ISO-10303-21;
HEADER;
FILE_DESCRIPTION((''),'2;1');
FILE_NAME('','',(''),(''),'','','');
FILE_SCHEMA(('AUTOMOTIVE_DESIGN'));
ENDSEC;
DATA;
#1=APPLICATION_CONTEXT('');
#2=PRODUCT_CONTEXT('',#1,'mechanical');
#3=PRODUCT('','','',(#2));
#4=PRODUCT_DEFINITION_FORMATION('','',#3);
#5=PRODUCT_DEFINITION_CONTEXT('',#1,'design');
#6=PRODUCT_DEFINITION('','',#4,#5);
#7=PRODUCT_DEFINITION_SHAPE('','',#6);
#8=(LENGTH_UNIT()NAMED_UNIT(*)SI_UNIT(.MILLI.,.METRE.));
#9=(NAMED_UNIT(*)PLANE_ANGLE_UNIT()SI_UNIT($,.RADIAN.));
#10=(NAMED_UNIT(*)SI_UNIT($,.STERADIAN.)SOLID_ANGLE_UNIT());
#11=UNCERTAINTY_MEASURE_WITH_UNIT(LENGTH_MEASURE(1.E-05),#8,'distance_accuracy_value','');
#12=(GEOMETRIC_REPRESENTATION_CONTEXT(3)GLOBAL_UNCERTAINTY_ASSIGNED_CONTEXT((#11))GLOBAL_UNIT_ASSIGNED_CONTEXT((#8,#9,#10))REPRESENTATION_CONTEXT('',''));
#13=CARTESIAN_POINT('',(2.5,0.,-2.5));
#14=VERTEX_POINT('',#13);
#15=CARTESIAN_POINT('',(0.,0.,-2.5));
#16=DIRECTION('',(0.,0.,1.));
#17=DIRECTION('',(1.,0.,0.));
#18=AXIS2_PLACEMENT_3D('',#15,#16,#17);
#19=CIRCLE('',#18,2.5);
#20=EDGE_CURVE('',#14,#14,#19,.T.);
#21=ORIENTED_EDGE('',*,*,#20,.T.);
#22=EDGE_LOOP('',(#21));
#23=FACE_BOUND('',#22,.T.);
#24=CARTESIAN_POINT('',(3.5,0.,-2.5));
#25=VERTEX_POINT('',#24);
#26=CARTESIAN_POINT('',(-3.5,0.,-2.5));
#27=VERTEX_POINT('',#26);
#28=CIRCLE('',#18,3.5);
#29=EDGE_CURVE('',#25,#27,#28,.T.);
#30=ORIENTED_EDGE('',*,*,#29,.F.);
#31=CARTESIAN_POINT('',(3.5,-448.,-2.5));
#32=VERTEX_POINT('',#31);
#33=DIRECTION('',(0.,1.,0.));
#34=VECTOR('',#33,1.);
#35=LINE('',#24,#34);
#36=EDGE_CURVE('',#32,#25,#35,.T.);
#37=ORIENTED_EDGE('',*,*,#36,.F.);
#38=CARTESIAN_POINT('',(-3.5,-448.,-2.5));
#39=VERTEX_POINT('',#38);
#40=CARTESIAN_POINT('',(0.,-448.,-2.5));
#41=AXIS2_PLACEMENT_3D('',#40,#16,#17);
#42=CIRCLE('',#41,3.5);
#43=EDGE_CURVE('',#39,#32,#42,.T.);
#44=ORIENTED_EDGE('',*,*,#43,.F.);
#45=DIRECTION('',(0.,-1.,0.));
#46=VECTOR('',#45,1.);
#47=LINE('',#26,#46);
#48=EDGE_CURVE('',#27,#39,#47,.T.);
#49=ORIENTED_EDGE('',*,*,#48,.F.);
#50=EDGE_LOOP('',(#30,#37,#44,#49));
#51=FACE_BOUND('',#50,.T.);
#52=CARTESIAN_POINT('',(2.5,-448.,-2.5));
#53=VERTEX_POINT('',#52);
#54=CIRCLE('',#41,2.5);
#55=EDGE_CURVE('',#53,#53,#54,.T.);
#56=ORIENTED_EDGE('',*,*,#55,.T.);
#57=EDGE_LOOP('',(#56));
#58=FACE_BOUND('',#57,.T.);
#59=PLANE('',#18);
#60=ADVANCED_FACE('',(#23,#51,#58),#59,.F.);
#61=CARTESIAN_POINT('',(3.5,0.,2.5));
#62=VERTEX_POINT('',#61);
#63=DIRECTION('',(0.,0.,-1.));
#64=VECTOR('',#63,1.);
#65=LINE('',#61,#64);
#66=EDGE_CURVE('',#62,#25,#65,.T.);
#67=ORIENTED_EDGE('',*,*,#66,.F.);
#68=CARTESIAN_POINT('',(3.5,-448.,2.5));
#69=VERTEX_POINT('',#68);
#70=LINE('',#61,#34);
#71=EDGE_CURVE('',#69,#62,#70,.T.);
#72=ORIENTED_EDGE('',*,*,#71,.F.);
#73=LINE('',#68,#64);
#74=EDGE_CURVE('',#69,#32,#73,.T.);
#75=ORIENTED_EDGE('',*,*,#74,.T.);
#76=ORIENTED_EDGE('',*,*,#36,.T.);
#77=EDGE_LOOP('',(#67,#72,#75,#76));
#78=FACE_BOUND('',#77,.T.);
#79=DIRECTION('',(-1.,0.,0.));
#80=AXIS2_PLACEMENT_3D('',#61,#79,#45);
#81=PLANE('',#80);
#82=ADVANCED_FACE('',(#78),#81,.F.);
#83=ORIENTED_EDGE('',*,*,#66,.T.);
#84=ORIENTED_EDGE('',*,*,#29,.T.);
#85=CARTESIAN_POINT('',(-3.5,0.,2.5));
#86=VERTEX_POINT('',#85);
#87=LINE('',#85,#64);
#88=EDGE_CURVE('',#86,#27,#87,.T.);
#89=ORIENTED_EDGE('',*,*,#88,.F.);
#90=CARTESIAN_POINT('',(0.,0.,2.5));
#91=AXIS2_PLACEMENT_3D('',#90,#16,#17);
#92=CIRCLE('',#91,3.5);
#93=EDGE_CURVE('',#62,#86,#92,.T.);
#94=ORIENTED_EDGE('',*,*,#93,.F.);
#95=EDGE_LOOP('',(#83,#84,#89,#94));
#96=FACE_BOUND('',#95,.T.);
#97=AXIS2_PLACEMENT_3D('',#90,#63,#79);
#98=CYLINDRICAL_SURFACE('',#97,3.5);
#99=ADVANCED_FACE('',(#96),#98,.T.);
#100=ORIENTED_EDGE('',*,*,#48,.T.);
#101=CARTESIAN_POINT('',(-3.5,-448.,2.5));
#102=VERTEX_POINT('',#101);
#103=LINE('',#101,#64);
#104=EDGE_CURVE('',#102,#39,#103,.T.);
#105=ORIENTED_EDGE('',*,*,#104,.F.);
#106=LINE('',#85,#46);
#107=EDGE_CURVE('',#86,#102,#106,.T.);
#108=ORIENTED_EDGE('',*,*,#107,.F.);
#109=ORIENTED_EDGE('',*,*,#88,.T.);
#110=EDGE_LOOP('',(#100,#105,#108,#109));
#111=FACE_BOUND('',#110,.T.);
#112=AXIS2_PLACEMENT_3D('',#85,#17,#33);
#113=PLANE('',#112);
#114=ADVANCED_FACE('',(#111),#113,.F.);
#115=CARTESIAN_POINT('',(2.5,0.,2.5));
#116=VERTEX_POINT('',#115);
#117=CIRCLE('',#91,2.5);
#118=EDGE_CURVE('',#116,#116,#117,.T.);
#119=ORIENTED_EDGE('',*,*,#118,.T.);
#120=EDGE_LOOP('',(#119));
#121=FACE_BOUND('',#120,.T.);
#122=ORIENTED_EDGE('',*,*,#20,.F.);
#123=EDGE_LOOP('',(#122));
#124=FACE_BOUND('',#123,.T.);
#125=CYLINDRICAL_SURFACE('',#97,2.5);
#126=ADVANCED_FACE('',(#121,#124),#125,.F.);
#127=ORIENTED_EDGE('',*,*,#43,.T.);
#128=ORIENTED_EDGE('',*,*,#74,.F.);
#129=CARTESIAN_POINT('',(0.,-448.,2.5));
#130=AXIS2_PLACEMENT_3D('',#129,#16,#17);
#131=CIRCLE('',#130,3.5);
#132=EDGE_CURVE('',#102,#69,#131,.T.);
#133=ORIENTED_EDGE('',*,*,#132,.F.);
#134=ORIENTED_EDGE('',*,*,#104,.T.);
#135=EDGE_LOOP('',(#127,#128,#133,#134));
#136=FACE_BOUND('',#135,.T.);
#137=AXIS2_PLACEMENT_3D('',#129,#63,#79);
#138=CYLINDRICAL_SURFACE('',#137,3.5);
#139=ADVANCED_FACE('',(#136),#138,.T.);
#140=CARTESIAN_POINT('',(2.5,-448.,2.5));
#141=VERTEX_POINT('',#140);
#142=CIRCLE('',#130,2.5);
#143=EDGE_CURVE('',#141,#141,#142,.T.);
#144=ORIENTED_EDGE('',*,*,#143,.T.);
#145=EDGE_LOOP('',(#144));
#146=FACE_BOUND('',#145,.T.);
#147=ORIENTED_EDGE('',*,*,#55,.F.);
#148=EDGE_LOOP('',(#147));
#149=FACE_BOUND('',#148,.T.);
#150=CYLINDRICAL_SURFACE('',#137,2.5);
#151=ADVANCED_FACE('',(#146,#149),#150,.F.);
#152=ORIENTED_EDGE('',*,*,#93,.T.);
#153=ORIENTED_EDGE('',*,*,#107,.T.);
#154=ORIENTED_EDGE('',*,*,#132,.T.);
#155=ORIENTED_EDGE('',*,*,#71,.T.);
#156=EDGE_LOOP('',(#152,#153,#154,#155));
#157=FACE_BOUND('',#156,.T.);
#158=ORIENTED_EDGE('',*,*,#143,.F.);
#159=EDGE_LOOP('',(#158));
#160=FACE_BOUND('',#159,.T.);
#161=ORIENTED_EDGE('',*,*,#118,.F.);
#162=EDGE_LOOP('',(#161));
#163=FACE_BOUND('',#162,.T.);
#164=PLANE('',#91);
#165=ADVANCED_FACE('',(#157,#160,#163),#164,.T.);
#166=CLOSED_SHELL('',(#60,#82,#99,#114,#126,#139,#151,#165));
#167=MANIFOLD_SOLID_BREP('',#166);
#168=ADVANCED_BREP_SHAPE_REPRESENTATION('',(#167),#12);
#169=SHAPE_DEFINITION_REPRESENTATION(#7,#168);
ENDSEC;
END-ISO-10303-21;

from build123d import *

# Parameters (mm, degrees)
SKETCH2_R           = 2.5
BOSS_EXTRUDE1_DEPTH = 2.5


with BuildPart() as part:
    # Sketch2 → Boss-Extrude1 (new body, symmetric)
    with BuildSketch(Plane.XY):
        with BuildLine():
            Line((3.5, 0), (3.5, -448))
            ThreePointArc((3.5, -448), (0, -451.5), (-3.5, -448))
            Line((-3.5, -448), (-3.5, 0))
            ThreePointArc((-3.5, 0), (0, 3.5), (3.5, 0))
        make_face()
        Circle(SKETCH2_R, mode=Mode.SUBTRACT)
        with Locations((0, -448)):
            Circle(SKETCH2_R, mode=Mode.SUBTRACT)
    extrude(amount=BOSS_EXTRUDE1_DEPTH, both=True)


solid = part.part
